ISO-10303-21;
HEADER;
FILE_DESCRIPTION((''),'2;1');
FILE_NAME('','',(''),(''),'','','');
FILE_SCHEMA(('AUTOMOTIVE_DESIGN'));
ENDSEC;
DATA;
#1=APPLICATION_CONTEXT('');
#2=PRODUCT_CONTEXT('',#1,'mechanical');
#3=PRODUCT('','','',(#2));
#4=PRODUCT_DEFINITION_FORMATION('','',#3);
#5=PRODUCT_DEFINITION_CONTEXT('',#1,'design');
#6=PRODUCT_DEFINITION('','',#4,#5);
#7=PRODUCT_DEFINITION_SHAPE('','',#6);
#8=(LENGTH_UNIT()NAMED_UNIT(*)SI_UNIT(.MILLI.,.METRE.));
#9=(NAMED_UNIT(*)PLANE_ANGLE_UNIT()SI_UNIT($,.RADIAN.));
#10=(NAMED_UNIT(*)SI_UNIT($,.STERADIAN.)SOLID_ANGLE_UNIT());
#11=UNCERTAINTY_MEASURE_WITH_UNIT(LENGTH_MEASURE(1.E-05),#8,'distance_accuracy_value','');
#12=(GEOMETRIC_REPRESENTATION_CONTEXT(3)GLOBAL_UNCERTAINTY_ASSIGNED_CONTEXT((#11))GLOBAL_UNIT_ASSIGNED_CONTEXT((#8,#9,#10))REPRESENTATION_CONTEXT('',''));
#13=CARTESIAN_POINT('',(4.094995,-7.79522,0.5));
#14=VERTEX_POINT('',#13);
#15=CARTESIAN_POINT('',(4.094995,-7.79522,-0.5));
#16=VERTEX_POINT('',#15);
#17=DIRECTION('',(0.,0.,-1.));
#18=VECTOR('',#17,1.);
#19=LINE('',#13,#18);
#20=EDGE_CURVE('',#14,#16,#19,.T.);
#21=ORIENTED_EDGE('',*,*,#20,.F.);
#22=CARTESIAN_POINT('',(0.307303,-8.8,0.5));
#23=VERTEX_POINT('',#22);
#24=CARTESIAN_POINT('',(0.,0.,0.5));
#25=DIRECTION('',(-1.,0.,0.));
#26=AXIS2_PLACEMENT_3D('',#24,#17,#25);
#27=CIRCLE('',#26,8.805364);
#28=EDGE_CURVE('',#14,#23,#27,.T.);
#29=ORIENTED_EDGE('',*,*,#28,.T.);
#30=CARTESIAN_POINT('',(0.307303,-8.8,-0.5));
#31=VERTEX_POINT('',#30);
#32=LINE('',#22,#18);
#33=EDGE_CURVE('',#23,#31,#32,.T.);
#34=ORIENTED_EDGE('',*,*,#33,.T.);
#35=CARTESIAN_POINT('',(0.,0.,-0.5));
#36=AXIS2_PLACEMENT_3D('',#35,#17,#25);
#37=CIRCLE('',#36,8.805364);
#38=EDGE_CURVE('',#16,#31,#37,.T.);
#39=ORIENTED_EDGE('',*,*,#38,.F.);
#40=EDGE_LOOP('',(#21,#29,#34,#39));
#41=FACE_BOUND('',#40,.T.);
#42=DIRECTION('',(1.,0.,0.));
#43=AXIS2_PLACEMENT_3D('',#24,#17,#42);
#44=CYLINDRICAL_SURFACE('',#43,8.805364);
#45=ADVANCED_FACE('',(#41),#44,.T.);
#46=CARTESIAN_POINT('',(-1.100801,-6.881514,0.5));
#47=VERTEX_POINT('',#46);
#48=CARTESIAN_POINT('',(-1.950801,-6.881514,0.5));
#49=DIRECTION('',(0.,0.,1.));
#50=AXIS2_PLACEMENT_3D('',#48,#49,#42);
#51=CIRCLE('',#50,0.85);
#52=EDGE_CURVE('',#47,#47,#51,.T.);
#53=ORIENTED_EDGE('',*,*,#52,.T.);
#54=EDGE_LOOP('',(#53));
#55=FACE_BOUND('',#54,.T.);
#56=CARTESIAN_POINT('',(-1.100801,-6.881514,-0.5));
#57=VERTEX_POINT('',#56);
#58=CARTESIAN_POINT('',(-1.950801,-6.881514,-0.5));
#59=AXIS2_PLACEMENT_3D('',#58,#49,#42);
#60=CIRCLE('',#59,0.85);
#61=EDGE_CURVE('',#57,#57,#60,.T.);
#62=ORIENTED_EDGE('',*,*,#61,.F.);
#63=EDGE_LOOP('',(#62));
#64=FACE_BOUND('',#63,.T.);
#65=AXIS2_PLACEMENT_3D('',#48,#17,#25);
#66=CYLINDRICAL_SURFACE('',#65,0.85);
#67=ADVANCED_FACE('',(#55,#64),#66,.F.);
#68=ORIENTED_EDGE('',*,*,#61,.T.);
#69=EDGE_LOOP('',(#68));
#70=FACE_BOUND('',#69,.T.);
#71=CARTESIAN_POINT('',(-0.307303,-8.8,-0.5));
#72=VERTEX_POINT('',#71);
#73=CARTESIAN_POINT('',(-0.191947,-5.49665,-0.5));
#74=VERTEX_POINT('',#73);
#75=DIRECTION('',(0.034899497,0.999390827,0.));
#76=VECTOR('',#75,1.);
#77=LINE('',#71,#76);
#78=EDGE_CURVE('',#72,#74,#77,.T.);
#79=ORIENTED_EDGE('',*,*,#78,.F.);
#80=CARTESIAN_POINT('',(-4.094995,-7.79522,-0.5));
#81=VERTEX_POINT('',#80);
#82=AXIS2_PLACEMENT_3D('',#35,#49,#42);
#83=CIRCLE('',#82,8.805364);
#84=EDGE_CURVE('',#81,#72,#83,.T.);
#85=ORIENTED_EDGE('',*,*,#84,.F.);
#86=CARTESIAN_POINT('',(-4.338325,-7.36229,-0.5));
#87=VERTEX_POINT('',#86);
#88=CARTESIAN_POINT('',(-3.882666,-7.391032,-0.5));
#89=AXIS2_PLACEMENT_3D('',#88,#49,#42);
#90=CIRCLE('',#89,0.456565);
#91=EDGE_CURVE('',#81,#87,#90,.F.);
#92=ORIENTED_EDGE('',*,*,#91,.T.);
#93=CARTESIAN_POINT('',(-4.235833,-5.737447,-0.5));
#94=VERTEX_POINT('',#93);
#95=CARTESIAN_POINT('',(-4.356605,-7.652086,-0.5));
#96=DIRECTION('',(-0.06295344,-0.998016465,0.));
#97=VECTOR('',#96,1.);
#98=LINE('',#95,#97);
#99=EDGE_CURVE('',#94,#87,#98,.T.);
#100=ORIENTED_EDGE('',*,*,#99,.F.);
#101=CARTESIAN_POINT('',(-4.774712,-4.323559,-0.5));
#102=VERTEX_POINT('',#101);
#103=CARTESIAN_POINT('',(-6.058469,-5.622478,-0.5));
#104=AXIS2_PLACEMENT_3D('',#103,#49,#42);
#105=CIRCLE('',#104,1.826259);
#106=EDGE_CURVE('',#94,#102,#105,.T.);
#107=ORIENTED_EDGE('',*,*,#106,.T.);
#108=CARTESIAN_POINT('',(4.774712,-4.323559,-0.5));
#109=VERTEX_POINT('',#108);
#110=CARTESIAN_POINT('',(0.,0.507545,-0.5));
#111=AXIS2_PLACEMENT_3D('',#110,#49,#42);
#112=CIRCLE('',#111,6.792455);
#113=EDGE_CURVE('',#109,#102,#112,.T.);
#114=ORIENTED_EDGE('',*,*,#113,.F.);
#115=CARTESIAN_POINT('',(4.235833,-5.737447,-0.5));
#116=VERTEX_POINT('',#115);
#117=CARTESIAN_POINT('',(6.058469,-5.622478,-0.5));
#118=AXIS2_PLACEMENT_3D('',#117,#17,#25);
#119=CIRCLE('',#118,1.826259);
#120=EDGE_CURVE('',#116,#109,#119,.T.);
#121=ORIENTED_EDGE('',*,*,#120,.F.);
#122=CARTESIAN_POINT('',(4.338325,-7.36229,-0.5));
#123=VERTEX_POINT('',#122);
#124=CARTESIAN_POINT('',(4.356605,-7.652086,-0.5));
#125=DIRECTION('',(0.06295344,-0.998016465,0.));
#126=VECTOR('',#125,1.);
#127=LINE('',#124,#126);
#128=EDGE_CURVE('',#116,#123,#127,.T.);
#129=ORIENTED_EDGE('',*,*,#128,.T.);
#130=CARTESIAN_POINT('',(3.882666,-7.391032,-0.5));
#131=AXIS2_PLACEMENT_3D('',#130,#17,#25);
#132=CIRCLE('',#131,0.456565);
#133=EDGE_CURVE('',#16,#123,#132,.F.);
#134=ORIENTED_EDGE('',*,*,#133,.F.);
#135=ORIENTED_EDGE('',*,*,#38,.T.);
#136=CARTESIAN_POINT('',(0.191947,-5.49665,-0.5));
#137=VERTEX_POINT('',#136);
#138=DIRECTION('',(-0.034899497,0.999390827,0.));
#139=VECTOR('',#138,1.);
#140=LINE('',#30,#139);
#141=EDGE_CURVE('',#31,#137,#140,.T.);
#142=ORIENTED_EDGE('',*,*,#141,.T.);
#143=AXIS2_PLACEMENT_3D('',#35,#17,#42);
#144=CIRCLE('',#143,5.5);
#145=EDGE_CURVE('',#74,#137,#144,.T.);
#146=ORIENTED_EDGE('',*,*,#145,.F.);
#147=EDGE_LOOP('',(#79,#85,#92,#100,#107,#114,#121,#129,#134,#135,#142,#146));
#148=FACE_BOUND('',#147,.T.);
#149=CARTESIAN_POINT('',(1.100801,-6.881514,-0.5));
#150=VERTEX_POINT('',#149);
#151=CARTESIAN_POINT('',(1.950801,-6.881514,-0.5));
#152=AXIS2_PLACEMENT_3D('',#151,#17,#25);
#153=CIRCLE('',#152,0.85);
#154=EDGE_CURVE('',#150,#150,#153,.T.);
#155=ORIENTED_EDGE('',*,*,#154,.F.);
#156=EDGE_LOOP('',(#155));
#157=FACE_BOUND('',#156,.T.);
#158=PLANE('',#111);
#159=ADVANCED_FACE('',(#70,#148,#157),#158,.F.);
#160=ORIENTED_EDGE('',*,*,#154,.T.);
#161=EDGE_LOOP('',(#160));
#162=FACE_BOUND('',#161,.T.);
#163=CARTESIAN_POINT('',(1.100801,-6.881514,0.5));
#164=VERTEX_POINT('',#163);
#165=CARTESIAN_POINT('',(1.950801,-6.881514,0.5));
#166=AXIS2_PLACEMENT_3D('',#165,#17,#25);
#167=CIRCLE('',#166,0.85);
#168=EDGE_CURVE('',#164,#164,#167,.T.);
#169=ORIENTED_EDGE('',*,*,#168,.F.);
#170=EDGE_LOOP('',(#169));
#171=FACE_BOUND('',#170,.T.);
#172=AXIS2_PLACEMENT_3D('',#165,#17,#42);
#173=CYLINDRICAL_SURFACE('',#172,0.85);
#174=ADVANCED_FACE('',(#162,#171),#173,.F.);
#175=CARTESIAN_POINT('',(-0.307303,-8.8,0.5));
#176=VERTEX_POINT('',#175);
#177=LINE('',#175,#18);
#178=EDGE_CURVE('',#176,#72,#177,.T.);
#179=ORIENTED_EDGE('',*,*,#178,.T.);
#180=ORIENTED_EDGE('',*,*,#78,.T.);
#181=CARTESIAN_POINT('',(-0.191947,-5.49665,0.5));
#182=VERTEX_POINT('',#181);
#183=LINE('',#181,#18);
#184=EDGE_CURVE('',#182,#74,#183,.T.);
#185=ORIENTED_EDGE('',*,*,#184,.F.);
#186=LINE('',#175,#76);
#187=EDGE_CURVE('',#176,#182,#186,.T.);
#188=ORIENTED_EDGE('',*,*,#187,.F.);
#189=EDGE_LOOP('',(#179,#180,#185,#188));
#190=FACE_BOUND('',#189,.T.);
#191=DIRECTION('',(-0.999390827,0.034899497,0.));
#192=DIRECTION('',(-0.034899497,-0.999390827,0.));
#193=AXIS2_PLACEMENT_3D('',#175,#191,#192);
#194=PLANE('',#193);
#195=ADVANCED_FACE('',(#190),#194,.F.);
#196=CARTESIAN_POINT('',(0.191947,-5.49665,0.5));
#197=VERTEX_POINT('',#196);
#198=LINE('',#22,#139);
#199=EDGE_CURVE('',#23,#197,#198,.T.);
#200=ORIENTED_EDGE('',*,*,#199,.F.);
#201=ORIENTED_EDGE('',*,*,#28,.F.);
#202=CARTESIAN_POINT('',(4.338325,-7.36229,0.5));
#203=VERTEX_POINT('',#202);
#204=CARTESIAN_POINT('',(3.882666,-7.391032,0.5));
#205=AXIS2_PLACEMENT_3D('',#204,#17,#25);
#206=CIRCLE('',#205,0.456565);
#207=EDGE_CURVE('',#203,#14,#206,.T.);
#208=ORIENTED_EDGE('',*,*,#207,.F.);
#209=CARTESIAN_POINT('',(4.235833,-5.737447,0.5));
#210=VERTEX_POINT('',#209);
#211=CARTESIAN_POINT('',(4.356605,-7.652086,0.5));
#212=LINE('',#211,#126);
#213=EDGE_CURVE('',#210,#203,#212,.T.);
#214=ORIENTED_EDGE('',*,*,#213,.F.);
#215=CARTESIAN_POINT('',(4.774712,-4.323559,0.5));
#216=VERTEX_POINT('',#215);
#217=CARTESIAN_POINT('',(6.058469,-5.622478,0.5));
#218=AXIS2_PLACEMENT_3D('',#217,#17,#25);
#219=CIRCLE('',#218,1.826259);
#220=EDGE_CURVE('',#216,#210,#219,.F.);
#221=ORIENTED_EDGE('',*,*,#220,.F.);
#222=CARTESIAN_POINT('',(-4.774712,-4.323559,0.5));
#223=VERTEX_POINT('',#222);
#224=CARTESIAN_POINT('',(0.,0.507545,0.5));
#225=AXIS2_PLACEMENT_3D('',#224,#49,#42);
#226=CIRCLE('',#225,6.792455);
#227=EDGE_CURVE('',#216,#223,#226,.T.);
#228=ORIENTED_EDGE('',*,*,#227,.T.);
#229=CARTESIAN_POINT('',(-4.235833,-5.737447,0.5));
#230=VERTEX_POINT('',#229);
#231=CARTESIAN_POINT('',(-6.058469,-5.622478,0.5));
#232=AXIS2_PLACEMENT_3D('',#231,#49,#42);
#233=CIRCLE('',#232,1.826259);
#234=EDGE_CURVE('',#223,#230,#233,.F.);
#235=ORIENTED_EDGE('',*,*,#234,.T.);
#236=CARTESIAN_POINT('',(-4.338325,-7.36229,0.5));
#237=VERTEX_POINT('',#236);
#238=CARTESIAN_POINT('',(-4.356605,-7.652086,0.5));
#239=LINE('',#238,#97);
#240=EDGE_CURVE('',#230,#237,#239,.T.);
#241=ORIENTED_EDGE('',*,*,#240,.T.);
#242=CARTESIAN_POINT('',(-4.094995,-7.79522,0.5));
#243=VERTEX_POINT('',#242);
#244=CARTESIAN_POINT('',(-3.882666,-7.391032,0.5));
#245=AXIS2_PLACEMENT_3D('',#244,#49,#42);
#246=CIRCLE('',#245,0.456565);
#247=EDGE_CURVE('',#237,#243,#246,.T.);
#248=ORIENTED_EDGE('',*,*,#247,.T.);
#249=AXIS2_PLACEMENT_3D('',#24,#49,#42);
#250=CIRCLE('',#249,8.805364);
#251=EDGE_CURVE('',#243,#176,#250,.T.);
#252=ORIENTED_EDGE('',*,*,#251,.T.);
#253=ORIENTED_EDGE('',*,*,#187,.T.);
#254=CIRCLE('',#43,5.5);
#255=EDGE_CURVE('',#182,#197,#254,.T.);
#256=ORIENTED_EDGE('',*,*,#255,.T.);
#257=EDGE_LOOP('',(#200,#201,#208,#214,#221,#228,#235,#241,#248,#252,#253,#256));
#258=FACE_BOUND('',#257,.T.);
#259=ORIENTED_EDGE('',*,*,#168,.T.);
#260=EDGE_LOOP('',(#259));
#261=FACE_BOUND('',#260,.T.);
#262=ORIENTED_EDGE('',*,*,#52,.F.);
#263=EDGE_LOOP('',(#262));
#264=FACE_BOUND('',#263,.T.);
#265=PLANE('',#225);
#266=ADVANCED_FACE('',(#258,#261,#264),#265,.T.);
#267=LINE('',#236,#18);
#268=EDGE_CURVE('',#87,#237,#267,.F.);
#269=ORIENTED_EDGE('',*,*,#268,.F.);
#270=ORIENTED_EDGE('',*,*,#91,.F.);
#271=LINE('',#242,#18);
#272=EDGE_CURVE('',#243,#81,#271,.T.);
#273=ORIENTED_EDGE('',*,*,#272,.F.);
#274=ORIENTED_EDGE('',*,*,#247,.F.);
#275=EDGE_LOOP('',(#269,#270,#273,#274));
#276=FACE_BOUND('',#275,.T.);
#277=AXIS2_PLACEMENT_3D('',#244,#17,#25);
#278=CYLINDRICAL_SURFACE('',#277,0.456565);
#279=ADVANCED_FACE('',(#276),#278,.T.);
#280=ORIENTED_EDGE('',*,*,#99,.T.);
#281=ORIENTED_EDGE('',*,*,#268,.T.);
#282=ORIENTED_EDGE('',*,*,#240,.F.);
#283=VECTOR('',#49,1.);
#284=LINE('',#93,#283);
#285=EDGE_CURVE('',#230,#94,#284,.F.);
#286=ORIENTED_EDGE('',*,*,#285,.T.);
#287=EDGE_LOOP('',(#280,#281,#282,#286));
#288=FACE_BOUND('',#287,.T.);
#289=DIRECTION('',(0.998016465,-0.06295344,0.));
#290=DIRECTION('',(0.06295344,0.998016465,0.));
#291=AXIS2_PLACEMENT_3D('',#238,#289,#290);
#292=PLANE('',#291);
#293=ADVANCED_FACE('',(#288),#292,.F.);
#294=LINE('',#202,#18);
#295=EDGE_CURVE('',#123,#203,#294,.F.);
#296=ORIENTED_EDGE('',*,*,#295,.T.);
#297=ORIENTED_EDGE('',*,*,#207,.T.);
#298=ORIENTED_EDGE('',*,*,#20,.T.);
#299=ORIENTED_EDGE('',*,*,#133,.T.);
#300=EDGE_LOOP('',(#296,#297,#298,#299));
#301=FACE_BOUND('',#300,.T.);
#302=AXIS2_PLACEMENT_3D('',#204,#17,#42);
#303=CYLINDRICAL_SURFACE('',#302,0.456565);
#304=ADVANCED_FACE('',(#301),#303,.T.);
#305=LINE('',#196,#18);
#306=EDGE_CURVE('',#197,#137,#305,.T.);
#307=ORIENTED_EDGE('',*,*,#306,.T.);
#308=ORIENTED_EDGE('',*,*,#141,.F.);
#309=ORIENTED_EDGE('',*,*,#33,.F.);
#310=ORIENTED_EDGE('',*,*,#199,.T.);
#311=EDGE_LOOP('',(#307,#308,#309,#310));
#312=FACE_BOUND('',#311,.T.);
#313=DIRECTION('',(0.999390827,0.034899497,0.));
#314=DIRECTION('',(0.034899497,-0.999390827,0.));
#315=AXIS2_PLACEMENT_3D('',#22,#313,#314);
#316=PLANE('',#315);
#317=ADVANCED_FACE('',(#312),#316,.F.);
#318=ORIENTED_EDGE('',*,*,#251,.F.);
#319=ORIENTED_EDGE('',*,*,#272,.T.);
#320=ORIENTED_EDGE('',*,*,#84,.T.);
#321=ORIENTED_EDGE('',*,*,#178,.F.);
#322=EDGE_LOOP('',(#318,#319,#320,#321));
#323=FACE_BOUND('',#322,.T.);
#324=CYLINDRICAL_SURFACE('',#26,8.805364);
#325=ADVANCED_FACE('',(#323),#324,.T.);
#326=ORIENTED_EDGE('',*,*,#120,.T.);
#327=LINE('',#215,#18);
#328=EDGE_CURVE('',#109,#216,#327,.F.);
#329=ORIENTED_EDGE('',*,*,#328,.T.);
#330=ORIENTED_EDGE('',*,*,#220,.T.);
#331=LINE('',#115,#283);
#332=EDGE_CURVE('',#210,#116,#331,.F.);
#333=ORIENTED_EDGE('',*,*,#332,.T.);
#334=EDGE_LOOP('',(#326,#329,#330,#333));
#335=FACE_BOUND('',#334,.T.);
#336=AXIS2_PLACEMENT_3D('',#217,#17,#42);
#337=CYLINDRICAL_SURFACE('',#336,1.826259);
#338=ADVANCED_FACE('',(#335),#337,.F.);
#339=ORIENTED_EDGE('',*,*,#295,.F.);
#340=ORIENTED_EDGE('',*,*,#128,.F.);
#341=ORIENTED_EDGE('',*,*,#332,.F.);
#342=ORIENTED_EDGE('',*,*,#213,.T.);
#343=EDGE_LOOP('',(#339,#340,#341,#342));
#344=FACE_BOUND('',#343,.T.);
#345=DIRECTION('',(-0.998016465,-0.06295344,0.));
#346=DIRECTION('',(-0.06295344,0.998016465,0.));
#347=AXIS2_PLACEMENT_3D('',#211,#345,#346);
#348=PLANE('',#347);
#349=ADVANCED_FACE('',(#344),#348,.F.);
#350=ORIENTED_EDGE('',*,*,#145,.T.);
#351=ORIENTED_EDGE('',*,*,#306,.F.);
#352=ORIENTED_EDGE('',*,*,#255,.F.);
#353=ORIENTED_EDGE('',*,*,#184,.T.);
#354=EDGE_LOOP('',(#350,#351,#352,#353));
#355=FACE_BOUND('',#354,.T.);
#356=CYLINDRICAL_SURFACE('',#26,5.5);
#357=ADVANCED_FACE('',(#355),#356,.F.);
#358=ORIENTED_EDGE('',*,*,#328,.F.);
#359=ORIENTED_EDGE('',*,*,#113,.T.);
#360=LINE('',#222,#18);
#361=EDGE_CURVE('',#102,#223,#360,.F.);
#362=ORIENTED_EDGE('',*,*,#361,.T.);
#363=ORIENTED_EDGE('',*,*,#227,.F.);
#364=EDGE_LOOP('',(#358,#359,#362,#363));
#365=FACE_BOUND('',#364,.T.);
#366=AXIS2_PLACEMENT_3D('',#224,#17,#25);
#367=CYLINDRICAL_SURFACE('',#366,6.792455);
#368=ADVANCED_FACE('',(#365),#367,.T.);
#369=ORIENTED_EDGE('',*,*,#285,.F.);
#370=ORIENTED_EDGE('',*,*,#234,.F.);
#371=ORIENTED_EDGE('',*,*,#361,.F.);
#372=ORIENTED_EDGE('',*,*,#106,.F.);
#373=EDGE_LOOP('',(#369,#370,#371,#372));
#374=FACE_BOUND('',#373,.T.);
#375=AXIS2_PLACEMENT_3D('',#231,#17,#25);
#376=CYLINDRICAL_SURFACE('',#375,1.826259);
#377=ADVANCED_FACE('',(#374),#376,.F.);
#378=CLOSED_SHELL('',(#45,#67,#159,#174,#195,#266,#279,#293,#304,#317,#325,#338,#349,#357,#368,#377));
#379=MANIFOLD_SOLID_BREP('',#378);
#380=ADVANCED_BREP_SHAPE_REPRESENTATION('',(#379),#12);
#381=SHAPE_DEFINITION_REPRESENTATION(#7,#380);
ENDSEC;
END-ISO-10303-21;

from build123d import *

# Parameters (mm, degrees)
SKETCH4_R           = 0.85
BOSS_EXTRUDE1_DEPTH = 0.5
FILLET1_R           = 1.826259158
FILLET2_R           = 0.456564789


with BuildPart() as part:
    # Sketch4 → Boss-Extrude1 (new body, symmetric)
    with BuildSketch(Plane.XY):
        with BuildLine():
            Line((-4.356605307, -7.652086329), (-4.179645962, -4.84670606))
            ThreePointArc((-4.179645962, -4.84670606), (-6.422848054, 2.717628201), (0, 7.3))
            Line((0, 7.3), (0, 5.5))
            ThreePointArc((0, 5.5), (-5.499162323, 0.095988235), (-0.191947232, -5.496649549))
            Line((-0.191947232, -5.496649549), (-0.307302772, -8.8))
            ThreePointArc((-0.307302772, -8.8), (-2.401548686, -8.471540527), (-4.356605307, -7.652086329))
        make_face()
        with Locations((-1.950801133, -6.88151398)):
            Circle(SKETCH4_R, mode=Mode.SUBTRACT)
    extrude(amount=BOSS_EXTRUDE1_DEPTH, both=True)

    # Fillet1
    fillet1_edges = [part.edges().sort_by_distance(p)[0] for p in [
        (-4.179645962, -4.84670606, 0),
    ]]
    fillet(fillet1_edges, radius=FILLET1_R)

    # Fillet2
    fillet2_edges = [part.edges().sort_by_distance(p)[0] for p in [
        (-4.356605307, -7.652086329, 0),
    ]]
    fillet(fillet2_edges, radius=FILLET2_R)

    # Mirror1: part across plane


with BuildPart() as part_1:
    add(part.part)
    add(part.part.mirror(Plane(origin=(0, 7.3, 0.5), x_dir=(0, 0, 1), z_dir=(-1, 0, 0))))


solid = part_1.part
